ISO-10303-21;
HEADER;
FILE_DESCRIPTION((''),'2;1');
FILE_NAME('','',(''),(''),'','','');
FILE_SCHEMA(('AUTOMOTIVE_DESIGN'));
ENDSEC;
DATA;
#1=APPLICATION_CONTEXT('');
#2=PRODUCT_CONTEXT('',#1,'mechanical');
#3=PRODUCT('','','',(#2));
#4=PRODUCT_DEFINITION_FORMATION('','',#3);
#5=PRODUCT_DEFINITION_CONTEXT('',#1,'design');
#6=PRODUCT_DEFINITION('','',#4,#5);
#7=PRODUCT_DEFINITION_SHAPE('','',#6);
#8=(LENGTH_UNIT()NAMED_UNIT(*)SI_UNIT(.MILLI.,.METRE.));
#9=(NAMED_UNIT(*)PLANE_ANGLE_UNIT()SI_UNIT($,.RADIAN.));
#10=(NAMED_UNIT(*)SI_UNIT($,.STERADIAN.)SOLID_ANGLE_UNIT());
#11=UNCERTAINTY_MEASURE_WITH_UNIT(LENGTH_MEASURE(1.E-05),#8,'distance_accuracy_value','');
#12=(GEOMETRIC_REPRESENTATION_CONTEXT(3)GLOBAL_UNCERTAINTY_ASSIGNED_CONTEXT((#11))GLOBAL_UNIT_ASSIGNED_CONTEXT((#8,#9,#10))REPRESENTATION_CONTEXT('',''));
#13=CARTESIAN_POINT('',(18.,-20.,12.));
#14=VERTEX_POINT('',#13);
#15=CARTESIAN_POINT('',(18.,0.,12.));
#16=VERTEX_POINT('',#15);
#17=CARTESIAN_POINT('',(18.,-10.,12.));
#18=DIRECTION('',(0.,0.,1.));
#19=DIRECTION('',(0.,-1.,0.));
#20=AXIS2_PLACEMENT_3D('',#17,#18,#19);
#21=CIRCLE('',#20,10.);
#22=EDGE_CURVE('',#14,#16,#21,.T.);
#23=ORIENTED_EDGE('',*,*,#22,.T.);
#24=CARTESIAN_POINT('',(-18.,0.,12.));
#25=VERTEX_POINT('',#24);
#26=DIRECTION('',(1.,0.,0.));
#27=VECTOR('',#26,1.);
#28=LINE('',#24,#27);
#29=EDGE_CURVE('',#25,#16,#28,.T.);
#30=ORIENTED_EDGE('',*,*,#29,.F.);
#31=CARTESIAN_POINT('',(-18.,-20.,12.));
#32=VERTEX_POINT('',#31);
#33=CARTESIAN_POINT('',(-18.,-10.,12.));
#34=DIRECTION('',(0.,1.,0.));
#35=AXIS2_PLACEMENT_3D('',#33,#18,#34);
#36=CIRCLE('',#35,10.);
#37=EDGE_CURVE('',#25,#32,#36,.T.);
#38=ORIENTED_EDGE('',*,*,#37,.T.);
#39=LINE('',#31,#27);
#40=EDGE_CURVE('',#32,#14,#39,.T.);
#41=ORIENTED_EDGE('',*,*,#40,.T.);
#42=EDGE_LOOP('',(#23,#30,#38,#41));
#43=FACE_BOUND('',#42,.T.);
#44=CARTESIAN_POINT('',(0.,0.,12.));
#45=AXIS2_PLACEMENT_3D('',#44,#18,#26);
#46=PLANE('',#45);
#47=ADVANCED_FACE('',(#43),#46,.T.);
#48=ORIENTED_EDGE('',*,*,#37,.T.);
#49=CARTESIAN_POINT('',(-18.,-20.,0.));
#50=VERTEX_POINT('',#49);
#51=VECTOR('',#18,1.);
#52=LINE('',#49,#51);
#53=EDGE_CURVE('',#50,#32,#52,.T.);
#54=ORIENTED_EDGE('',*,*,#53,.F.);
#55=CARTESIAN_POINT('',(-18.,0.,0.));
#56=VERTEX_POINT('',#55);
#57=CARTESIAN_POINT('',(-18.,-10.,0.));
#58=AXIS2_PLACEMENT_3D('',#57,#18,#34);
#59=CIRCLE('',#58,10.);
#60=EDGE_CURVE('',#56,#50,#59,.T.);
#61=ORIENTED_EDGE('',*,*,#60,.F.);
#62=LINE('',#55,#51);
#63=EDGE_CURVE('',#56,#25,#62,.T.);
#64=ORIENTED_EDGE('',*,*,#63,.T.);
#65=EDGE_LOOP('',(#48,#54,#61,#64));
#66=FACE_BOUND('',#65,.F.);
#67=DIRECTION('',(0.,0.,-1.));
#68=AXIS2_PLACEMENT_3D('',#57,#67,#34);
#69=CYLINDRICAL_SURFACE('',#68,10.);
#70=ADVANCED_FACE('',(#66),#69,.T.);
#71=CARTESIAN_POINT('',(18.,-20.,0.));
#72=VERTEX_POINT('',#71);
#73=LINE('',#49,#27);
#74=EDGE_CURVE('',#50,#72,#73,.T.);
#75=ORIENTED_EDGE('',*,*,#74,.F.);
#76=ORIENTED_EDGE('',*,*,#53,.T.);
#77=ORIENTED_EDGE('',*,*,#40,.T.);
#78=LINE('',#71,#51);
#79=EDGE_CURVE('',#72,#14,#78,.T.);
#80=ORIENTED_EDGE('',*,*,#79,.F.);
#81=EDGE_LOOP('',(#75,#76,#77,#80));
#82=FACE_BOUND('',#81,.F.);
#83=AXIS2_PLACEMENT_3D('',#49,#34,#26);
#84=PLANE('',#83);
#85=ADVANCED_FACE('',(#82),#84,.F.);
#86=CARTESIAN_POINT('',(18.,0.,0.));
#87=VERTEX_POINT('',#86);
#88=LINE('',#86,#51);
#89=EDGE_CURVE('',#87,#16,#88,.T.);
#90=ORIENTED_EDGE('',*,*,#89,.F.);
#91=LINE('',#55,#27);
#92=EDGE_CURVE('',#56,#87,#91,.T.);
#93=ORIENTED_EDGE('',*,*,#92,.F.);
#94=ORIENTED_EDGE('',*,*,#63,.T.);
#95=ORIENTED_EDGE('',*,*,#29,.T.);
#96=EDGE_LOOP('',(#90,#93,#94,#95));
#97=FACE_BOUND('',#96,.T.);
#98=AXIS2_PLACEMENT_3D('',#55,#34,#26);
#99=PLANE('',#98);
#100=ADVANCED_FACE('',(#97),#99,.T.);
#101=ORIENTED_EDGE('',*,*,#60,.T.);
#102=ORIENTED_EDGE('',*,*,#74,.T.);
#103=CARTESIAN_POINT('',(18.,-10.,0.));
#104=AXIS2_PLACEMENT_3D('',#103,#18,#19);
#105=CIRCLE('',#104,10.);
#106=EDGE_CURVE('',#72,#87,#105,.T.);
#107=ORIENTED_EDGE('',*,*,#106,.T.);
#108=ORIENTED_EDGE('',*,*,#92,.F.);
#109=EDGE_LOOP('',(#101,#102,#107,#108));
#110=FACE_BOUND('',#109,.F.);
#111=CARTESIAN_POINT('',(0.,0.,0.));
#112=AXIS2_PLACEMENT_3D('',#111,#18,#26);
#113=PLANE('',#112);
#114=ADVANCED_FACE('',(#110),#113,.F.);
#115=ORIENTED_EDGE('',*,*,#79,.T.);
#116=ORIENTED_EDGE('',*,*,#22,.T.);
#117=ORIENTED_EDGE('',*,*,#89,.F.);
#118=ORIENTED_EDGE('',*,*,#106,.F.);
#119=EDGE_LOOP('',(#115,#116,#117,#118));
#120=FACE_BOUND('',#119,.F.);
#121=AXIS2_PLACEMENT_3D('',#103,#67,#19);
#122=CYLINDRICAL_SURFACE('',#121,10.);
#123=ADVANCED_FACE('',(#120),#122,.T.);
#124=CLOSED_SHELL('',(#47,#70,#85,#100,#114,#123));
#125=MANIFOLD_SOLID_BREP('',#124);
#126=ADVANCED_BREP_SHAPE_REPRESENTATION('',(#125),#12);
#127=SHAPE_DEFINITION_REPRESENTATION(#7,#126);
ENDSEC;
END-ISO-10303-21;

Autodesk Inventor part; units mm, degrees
ref_plane "YZ Plane" through (0, 0, 0) normal (1, 0, 0) x (0, 1, 0)
ref_plane "XZ Plane" through (0, 0, 0) normal (0, 1, 0) x (-1, 0, 0)
ref_plane "XY Plane" through (0, 0, 0) normal (0, 0, 1) x (1, 0, 0)
sketch "草图1" plane through (0, 0, 0) normal (0, 0, 1) x (1, 0, 0)
  line L0 (-18, 0) -> (18, 0) projected
  arc A0 (-18, 0) -> (-18, -20) centre (-18, -10) ccw projected
  line L1 (-18, -20) -> (18, -20) projected
  arc A1 (18, -20) -> (18, 0) centre (18, -10) ccw projected
  line L2 (18, -10) -> (-18, -10) construction
  line L3 (18, 0) -> (-18, 0)
  line L4 (-18, -20) -> (18, -20)
  arc A2 (18, -20) -> (18, 0) centre (18, -10) ccw
  arc A3 (-18, 0) -> (-18, -20) centre (-18, -10) ccw
  point P0 (0, 0)
  point P1 (0, -10)
extrude "拉伸1" add sketch "草图1" along normal blind 12
properties part number "key3"
